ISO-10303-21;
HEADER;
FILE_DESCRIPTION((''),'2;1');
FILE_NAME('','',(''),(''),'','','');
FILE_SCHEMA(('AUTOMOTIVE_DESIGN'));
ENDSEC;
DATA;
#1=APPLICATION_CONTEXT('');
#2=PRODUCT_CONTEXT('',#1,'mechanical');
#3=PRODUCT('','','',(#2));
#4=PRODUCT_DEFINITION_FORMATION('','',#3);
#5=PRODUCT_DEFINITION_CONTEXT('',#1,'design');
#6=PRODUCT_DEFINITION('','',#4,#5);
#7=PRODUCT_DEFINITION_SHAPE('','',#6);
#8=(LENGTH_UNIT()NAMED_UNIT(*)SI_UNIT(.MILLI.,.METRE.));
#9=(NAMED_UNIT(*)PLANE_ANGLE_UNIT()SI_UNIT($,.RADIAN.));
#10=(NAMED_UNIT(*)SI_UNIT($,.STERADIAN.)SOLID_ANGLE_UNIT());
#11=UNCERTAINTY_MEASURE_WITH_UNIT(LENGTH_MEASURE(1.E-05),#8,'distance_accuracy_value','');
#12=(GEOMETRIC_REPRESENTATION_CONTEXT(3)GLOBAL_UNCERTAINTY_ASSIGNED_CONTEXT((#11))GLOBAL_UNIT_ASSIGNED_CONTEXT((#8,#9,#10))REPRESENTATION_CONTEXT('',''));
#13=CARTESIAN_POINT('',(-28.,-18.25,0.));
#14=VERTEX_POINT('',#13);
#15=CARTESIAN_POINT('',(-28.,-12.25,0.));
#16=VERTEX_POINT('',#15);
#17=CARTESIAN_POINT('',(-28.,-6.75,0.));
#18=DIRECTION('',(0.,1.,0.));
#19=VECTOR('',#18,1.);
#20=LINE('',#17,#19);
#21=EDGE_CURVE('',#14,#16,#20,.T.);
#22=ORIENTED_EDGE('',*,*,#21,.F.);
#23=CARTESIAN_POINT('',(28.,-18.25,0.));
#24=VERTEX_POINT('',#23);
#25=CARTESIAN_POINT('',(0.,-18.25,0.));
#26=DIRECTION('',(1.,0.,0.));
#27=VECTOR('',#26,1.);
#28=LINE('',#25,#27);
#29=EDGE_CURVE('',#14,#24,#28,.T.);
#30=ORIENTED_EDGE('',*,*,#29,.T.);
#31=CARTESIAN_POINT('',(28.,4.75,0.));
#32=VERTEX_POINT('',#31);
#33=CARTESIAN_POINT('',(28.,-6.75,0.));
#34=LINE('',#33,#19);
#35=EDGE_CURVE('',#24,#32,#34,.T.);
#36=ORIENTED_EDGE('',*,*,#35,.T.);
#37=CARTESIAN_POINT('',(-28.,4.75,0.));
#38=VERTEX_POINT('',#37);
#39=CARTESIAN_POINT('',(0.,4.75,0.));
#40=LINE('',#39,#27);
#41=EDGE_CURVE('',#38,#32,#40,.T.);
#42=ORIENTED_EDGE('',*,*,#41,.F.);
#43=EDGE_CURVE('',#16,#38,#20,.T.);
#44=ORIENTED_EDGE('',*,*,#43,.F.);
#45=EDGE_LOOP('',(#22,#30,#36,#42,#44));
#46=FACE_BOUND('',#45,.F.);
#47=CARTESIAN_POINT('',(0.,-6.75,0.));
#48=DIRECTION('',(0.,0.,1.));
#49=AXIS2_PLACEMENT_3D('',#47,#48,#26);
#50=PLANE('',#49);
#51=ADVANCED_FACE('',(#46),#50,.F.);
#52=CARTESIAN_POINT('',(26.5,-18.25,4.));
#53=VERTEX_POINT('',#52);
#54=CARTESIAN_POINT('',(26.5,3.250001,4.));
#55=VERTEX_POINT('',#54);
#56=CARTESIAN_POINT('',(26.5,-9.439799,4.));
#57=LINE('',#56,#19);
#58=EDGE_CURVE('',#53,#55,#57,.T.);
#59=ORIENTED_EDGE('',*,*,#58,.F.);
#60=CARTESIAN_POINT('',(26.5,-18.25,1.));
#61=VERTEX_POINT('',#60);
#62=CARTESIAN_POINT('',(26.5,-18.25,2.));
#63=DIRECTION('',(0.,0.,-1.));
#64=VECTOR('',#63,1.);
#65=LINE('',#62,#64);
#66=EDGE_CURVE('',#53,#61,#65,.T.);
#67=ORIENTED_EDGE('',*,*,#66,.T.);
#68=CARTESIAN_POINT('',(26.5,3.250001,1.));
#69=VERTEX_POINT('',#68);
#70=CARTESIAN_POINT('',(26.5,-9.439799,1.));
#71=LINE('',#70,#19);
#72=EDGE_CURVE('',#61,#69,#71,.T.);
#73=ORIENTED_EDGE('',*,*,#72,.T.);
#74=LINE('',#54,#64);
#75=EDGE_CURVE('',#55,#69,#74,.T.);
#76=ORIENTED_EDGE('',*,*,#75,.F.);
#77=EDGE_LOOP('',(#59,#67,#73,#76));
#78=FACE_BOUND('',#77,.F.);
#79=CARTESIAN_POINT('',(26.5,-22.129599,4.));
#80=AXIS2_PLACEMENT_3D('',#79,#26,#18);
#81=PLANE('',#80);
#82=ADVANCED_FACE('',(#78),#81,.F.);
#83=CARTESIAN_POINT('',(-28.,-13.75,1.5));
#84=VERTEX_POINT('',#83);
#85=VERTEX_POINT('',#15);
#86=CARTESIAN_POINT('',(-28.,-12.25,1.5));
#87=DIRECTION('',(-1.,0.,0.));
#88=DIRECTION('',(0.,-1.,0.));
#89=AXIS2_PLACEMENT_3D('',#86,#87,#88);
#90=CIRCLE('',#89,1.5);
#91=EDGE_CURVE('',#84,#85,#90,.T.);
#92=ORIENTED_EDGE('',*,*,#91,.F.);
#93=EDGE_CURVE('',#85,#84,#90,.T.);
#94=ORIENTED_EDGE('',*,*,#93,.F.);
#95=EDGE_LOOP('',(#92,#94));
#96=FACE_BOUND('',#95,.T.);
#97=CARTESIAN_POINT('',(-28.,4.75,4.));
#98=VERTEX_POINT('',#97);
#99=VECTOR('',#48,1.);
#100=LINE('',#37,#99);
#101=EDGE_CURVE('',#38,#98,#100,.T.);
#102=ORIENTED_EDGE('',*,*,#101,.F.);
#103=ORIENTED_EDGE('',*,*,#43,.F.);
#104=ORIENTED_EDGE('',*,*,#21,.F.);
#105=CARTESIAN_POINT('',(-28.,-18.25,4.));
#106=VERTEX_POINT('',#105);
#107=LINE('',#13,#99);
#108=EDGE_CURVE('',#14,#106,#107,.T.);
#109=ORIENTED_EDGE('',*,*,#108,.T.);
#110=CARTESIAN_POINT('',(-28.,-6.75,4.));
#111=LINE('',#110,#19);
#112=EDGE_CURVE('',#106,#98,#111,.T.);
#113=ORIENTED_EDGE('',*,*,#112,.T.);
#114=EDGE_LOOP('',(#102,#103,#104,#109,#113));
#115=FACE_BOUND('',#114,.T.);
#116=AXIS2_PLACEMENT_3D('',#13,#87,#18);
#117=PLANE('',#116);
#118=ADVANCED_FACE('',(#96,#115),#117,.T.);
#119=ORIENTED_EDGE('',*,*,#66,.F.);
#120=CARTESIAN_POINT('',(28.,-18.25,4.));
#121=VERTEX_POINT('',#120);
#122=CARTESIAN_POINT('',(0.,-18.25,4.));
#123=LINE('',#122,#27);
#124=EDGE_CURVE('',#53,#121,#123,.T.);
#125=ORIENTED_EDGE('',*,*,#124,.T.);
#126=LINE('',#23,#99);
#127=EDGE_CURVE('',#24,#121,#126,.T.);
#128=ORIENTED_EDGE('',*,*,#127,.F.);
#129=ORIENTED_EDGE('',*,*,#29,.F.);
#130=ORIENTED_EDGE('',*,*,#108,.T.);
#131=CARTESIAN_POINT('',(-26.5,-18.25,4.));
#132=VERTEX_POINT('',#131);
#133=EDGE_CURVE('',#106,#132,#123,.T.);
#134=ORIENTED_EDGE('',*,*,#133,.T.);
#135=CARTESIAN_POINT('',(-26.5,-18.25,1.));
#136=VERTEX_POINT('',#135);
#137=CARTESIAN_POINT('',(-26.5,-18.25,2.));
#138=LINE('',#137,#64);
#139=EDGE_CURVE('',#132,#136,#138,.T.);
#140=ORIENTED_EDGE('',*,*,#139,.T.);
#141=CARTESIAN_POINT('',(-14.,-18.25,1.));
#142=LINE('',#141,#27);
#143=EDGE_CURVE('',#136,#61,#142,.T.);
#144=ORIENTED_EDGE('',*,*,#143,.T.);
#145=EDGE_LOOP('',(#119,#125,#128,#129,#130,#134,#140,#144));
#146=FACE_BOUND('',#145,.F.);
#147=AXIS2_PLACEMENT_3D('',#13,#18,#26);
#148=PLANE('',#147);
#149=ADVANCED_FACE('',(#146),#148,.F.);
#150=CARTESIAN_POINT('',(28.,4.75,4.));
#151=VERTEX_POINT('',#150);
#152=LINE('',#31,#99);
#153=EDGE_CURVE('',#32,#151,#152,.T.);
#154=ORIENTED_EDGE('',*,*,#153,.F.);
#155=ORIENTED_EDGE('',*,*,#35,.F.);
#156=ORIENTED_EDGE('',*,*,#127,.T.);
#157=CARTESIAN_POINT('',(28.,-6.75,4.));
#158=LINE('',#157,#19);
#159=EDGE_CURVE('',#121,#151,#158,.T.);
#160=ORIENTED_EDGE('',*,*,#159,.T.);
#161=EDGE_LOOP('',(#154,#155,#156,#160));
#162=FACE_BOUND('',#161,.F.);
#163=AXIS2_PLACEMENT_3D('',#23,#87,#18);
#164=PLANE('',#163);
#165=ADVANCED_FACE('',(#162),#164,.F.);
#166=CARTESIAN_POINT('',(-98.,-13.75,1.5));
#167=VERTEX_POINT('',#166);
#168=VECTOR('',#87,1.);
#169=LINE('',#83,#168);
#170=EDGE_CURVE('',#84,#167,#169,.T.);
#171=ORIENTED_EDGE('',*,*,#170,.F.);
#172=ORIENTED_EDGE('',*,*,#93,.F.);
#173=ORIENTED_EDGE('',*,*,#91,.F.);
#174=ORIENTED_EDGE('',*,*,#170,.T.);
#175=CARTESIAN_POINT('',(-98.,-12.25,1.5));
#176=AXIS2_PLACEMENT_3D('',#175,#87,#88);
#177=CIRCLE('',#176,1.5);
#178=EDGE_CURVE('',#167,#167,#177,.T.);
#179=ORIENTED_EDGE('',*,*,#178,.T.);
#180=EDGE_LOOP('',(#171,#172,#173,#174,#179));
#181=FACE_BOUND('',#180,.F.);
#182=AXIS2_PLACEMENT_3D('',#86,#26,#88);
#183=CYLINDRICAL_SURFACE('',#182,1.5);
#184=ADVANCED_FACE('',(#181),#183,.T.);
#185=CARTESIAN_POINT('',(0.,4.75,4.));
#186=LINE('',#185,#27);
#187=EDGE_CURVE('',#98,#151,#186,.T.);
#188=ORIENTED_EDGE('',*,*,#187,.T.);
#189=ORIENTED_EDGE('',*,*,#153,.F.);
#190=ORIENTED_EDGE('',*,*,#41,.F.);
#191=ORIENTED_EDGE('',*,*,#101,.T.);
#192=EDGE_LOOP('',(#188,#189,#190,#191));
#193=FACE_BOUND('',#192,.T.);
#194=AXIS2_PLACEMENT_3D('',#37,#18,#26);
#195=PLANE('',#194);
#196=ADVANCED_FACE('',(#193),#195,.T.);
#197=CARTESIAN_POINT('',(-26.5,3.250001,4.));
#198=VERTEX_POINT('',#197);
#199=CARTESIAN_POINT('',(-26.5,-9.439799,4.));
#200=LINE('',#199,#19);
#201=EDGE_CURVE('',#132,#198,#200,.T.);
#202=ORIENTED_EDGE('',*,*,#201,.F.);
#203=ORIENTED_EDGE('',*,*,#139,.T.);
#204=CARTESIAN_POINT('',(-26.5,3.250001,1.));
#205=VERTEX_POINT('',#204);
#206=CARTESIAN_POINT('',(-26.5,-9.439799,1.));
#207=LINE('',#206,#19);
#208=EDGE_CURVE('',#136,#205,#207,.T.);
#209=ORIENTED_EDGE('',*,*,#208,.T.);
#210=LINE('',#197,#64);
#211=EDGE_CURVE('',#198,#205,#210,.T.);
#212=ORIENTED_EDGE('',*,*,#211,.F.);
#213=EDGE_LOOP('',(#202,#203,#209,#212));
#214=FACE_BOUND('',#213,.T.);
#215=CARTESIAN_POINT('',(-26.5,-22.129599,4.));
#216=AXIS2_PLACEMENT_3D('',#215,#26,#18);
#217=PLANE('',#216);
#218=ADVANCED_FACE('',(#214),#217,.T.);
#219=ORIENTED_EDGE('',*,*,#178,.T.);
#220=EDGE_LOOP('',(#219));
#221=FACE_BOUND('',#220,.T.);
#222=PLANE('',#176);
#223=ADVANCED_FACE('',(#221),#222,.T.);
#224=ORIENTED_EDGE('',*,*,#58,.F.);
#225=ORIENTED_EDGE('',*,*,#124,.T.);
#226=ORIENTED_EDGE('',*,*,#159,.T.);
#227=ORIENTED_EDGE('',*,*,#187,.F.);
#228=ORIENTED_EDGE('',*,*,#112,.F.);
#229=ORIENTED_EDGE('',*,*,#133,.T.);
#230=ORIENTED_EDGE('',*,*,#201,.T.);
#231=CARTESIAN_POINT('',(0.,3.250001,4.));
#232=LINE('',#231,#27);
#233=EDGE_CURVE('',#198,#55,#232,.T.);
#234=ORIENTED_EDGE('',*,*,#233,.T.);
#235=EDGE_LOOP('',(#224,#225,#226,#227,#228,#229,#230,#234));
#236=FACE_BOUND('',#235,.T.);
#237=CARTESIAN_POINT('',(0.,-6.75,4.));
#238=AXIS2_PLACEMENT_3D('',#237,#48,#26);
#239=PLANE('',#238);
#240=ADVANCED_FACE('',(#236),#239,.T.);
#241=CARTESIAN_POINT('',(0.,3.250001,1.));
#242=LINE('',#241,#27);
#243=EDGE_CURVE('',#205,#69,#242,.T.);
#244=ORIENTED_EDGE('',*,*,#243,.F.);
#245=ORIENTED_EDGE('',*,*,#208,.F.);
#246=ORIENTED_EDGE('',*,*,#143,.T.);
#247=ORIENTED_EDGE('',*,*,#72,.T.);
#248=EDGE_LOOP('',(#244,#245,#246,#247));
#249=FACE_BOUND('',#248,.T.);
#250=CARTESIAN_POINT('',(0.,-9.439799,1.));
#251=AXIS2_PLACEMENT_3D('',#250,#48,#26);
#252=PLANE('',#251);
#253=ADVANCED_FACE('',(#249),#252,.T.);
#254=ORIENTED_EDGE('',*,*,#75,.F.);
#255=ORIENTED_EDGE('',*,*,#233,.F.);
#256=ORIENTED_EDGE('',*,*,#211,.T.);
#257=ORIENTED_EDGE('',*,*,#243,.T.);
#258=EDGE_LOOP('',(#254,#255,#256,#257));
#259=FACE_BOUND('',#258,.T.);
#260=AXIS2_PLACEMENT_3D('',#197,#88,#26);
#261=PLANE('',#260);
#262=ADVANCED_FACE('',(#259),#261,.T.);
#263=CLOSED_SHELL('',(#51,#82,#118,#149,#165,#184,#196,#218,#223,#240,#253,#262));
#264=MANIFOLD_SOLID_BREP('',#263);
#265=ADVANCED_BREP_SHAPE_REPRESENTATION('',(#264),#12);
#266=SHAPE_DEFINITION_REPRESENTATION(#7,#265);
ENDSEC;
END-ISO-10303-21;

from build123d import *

# Parameters (mm, degrees)
SKETCH007_W     = 56
SKETCH007_H     = 23
PAD004_DEPTH    = 4
SKETCH008_W     = 53
SKETCH008_H     = 25.379599
POCKET003_DEPTH = 3
SKETCH009_R     = 1.5
PAD005_DEPTH    = 70


with BuildPart() as part:
    # Sketch007 → Pad004 (new body)
    with BuildSketch(Plane.XY):
        Rectangle(SKETCH007_W, SKETCH007_H)
    extrude(amount=PAD004_DEPTH)

    # Sketch008 (on Face6 of Pad004) → Pocket003 (cut)
    with BuildSketch(Plane.XY.offset(4)):
        with Locations((0, -2.689799)):
            Rectangle(SKETCH008_W, SKETCH008_H)
    extrude(amount=-POCKET003_DEPTH, mode=Mode.SUBTRACT)

    # Sketch009 (on Face2 of Pocket003) → Pad005 (join)
    with BuildSketch(Plane(origin=(-28, 0, 0), x_dir=(0, -1, 0), z_dir=(-1, 0, 0))):
        with Locations((5.5, 1.5)):
            Circle(SKETCH009_R)
    extrude(amount=PAD005_DEPTH)


with BuildPart() as part_1:
    # Body002 placement: moved
    add(part.part.moved(Location((0, -6.75, 0))))


solid = part_1.part
